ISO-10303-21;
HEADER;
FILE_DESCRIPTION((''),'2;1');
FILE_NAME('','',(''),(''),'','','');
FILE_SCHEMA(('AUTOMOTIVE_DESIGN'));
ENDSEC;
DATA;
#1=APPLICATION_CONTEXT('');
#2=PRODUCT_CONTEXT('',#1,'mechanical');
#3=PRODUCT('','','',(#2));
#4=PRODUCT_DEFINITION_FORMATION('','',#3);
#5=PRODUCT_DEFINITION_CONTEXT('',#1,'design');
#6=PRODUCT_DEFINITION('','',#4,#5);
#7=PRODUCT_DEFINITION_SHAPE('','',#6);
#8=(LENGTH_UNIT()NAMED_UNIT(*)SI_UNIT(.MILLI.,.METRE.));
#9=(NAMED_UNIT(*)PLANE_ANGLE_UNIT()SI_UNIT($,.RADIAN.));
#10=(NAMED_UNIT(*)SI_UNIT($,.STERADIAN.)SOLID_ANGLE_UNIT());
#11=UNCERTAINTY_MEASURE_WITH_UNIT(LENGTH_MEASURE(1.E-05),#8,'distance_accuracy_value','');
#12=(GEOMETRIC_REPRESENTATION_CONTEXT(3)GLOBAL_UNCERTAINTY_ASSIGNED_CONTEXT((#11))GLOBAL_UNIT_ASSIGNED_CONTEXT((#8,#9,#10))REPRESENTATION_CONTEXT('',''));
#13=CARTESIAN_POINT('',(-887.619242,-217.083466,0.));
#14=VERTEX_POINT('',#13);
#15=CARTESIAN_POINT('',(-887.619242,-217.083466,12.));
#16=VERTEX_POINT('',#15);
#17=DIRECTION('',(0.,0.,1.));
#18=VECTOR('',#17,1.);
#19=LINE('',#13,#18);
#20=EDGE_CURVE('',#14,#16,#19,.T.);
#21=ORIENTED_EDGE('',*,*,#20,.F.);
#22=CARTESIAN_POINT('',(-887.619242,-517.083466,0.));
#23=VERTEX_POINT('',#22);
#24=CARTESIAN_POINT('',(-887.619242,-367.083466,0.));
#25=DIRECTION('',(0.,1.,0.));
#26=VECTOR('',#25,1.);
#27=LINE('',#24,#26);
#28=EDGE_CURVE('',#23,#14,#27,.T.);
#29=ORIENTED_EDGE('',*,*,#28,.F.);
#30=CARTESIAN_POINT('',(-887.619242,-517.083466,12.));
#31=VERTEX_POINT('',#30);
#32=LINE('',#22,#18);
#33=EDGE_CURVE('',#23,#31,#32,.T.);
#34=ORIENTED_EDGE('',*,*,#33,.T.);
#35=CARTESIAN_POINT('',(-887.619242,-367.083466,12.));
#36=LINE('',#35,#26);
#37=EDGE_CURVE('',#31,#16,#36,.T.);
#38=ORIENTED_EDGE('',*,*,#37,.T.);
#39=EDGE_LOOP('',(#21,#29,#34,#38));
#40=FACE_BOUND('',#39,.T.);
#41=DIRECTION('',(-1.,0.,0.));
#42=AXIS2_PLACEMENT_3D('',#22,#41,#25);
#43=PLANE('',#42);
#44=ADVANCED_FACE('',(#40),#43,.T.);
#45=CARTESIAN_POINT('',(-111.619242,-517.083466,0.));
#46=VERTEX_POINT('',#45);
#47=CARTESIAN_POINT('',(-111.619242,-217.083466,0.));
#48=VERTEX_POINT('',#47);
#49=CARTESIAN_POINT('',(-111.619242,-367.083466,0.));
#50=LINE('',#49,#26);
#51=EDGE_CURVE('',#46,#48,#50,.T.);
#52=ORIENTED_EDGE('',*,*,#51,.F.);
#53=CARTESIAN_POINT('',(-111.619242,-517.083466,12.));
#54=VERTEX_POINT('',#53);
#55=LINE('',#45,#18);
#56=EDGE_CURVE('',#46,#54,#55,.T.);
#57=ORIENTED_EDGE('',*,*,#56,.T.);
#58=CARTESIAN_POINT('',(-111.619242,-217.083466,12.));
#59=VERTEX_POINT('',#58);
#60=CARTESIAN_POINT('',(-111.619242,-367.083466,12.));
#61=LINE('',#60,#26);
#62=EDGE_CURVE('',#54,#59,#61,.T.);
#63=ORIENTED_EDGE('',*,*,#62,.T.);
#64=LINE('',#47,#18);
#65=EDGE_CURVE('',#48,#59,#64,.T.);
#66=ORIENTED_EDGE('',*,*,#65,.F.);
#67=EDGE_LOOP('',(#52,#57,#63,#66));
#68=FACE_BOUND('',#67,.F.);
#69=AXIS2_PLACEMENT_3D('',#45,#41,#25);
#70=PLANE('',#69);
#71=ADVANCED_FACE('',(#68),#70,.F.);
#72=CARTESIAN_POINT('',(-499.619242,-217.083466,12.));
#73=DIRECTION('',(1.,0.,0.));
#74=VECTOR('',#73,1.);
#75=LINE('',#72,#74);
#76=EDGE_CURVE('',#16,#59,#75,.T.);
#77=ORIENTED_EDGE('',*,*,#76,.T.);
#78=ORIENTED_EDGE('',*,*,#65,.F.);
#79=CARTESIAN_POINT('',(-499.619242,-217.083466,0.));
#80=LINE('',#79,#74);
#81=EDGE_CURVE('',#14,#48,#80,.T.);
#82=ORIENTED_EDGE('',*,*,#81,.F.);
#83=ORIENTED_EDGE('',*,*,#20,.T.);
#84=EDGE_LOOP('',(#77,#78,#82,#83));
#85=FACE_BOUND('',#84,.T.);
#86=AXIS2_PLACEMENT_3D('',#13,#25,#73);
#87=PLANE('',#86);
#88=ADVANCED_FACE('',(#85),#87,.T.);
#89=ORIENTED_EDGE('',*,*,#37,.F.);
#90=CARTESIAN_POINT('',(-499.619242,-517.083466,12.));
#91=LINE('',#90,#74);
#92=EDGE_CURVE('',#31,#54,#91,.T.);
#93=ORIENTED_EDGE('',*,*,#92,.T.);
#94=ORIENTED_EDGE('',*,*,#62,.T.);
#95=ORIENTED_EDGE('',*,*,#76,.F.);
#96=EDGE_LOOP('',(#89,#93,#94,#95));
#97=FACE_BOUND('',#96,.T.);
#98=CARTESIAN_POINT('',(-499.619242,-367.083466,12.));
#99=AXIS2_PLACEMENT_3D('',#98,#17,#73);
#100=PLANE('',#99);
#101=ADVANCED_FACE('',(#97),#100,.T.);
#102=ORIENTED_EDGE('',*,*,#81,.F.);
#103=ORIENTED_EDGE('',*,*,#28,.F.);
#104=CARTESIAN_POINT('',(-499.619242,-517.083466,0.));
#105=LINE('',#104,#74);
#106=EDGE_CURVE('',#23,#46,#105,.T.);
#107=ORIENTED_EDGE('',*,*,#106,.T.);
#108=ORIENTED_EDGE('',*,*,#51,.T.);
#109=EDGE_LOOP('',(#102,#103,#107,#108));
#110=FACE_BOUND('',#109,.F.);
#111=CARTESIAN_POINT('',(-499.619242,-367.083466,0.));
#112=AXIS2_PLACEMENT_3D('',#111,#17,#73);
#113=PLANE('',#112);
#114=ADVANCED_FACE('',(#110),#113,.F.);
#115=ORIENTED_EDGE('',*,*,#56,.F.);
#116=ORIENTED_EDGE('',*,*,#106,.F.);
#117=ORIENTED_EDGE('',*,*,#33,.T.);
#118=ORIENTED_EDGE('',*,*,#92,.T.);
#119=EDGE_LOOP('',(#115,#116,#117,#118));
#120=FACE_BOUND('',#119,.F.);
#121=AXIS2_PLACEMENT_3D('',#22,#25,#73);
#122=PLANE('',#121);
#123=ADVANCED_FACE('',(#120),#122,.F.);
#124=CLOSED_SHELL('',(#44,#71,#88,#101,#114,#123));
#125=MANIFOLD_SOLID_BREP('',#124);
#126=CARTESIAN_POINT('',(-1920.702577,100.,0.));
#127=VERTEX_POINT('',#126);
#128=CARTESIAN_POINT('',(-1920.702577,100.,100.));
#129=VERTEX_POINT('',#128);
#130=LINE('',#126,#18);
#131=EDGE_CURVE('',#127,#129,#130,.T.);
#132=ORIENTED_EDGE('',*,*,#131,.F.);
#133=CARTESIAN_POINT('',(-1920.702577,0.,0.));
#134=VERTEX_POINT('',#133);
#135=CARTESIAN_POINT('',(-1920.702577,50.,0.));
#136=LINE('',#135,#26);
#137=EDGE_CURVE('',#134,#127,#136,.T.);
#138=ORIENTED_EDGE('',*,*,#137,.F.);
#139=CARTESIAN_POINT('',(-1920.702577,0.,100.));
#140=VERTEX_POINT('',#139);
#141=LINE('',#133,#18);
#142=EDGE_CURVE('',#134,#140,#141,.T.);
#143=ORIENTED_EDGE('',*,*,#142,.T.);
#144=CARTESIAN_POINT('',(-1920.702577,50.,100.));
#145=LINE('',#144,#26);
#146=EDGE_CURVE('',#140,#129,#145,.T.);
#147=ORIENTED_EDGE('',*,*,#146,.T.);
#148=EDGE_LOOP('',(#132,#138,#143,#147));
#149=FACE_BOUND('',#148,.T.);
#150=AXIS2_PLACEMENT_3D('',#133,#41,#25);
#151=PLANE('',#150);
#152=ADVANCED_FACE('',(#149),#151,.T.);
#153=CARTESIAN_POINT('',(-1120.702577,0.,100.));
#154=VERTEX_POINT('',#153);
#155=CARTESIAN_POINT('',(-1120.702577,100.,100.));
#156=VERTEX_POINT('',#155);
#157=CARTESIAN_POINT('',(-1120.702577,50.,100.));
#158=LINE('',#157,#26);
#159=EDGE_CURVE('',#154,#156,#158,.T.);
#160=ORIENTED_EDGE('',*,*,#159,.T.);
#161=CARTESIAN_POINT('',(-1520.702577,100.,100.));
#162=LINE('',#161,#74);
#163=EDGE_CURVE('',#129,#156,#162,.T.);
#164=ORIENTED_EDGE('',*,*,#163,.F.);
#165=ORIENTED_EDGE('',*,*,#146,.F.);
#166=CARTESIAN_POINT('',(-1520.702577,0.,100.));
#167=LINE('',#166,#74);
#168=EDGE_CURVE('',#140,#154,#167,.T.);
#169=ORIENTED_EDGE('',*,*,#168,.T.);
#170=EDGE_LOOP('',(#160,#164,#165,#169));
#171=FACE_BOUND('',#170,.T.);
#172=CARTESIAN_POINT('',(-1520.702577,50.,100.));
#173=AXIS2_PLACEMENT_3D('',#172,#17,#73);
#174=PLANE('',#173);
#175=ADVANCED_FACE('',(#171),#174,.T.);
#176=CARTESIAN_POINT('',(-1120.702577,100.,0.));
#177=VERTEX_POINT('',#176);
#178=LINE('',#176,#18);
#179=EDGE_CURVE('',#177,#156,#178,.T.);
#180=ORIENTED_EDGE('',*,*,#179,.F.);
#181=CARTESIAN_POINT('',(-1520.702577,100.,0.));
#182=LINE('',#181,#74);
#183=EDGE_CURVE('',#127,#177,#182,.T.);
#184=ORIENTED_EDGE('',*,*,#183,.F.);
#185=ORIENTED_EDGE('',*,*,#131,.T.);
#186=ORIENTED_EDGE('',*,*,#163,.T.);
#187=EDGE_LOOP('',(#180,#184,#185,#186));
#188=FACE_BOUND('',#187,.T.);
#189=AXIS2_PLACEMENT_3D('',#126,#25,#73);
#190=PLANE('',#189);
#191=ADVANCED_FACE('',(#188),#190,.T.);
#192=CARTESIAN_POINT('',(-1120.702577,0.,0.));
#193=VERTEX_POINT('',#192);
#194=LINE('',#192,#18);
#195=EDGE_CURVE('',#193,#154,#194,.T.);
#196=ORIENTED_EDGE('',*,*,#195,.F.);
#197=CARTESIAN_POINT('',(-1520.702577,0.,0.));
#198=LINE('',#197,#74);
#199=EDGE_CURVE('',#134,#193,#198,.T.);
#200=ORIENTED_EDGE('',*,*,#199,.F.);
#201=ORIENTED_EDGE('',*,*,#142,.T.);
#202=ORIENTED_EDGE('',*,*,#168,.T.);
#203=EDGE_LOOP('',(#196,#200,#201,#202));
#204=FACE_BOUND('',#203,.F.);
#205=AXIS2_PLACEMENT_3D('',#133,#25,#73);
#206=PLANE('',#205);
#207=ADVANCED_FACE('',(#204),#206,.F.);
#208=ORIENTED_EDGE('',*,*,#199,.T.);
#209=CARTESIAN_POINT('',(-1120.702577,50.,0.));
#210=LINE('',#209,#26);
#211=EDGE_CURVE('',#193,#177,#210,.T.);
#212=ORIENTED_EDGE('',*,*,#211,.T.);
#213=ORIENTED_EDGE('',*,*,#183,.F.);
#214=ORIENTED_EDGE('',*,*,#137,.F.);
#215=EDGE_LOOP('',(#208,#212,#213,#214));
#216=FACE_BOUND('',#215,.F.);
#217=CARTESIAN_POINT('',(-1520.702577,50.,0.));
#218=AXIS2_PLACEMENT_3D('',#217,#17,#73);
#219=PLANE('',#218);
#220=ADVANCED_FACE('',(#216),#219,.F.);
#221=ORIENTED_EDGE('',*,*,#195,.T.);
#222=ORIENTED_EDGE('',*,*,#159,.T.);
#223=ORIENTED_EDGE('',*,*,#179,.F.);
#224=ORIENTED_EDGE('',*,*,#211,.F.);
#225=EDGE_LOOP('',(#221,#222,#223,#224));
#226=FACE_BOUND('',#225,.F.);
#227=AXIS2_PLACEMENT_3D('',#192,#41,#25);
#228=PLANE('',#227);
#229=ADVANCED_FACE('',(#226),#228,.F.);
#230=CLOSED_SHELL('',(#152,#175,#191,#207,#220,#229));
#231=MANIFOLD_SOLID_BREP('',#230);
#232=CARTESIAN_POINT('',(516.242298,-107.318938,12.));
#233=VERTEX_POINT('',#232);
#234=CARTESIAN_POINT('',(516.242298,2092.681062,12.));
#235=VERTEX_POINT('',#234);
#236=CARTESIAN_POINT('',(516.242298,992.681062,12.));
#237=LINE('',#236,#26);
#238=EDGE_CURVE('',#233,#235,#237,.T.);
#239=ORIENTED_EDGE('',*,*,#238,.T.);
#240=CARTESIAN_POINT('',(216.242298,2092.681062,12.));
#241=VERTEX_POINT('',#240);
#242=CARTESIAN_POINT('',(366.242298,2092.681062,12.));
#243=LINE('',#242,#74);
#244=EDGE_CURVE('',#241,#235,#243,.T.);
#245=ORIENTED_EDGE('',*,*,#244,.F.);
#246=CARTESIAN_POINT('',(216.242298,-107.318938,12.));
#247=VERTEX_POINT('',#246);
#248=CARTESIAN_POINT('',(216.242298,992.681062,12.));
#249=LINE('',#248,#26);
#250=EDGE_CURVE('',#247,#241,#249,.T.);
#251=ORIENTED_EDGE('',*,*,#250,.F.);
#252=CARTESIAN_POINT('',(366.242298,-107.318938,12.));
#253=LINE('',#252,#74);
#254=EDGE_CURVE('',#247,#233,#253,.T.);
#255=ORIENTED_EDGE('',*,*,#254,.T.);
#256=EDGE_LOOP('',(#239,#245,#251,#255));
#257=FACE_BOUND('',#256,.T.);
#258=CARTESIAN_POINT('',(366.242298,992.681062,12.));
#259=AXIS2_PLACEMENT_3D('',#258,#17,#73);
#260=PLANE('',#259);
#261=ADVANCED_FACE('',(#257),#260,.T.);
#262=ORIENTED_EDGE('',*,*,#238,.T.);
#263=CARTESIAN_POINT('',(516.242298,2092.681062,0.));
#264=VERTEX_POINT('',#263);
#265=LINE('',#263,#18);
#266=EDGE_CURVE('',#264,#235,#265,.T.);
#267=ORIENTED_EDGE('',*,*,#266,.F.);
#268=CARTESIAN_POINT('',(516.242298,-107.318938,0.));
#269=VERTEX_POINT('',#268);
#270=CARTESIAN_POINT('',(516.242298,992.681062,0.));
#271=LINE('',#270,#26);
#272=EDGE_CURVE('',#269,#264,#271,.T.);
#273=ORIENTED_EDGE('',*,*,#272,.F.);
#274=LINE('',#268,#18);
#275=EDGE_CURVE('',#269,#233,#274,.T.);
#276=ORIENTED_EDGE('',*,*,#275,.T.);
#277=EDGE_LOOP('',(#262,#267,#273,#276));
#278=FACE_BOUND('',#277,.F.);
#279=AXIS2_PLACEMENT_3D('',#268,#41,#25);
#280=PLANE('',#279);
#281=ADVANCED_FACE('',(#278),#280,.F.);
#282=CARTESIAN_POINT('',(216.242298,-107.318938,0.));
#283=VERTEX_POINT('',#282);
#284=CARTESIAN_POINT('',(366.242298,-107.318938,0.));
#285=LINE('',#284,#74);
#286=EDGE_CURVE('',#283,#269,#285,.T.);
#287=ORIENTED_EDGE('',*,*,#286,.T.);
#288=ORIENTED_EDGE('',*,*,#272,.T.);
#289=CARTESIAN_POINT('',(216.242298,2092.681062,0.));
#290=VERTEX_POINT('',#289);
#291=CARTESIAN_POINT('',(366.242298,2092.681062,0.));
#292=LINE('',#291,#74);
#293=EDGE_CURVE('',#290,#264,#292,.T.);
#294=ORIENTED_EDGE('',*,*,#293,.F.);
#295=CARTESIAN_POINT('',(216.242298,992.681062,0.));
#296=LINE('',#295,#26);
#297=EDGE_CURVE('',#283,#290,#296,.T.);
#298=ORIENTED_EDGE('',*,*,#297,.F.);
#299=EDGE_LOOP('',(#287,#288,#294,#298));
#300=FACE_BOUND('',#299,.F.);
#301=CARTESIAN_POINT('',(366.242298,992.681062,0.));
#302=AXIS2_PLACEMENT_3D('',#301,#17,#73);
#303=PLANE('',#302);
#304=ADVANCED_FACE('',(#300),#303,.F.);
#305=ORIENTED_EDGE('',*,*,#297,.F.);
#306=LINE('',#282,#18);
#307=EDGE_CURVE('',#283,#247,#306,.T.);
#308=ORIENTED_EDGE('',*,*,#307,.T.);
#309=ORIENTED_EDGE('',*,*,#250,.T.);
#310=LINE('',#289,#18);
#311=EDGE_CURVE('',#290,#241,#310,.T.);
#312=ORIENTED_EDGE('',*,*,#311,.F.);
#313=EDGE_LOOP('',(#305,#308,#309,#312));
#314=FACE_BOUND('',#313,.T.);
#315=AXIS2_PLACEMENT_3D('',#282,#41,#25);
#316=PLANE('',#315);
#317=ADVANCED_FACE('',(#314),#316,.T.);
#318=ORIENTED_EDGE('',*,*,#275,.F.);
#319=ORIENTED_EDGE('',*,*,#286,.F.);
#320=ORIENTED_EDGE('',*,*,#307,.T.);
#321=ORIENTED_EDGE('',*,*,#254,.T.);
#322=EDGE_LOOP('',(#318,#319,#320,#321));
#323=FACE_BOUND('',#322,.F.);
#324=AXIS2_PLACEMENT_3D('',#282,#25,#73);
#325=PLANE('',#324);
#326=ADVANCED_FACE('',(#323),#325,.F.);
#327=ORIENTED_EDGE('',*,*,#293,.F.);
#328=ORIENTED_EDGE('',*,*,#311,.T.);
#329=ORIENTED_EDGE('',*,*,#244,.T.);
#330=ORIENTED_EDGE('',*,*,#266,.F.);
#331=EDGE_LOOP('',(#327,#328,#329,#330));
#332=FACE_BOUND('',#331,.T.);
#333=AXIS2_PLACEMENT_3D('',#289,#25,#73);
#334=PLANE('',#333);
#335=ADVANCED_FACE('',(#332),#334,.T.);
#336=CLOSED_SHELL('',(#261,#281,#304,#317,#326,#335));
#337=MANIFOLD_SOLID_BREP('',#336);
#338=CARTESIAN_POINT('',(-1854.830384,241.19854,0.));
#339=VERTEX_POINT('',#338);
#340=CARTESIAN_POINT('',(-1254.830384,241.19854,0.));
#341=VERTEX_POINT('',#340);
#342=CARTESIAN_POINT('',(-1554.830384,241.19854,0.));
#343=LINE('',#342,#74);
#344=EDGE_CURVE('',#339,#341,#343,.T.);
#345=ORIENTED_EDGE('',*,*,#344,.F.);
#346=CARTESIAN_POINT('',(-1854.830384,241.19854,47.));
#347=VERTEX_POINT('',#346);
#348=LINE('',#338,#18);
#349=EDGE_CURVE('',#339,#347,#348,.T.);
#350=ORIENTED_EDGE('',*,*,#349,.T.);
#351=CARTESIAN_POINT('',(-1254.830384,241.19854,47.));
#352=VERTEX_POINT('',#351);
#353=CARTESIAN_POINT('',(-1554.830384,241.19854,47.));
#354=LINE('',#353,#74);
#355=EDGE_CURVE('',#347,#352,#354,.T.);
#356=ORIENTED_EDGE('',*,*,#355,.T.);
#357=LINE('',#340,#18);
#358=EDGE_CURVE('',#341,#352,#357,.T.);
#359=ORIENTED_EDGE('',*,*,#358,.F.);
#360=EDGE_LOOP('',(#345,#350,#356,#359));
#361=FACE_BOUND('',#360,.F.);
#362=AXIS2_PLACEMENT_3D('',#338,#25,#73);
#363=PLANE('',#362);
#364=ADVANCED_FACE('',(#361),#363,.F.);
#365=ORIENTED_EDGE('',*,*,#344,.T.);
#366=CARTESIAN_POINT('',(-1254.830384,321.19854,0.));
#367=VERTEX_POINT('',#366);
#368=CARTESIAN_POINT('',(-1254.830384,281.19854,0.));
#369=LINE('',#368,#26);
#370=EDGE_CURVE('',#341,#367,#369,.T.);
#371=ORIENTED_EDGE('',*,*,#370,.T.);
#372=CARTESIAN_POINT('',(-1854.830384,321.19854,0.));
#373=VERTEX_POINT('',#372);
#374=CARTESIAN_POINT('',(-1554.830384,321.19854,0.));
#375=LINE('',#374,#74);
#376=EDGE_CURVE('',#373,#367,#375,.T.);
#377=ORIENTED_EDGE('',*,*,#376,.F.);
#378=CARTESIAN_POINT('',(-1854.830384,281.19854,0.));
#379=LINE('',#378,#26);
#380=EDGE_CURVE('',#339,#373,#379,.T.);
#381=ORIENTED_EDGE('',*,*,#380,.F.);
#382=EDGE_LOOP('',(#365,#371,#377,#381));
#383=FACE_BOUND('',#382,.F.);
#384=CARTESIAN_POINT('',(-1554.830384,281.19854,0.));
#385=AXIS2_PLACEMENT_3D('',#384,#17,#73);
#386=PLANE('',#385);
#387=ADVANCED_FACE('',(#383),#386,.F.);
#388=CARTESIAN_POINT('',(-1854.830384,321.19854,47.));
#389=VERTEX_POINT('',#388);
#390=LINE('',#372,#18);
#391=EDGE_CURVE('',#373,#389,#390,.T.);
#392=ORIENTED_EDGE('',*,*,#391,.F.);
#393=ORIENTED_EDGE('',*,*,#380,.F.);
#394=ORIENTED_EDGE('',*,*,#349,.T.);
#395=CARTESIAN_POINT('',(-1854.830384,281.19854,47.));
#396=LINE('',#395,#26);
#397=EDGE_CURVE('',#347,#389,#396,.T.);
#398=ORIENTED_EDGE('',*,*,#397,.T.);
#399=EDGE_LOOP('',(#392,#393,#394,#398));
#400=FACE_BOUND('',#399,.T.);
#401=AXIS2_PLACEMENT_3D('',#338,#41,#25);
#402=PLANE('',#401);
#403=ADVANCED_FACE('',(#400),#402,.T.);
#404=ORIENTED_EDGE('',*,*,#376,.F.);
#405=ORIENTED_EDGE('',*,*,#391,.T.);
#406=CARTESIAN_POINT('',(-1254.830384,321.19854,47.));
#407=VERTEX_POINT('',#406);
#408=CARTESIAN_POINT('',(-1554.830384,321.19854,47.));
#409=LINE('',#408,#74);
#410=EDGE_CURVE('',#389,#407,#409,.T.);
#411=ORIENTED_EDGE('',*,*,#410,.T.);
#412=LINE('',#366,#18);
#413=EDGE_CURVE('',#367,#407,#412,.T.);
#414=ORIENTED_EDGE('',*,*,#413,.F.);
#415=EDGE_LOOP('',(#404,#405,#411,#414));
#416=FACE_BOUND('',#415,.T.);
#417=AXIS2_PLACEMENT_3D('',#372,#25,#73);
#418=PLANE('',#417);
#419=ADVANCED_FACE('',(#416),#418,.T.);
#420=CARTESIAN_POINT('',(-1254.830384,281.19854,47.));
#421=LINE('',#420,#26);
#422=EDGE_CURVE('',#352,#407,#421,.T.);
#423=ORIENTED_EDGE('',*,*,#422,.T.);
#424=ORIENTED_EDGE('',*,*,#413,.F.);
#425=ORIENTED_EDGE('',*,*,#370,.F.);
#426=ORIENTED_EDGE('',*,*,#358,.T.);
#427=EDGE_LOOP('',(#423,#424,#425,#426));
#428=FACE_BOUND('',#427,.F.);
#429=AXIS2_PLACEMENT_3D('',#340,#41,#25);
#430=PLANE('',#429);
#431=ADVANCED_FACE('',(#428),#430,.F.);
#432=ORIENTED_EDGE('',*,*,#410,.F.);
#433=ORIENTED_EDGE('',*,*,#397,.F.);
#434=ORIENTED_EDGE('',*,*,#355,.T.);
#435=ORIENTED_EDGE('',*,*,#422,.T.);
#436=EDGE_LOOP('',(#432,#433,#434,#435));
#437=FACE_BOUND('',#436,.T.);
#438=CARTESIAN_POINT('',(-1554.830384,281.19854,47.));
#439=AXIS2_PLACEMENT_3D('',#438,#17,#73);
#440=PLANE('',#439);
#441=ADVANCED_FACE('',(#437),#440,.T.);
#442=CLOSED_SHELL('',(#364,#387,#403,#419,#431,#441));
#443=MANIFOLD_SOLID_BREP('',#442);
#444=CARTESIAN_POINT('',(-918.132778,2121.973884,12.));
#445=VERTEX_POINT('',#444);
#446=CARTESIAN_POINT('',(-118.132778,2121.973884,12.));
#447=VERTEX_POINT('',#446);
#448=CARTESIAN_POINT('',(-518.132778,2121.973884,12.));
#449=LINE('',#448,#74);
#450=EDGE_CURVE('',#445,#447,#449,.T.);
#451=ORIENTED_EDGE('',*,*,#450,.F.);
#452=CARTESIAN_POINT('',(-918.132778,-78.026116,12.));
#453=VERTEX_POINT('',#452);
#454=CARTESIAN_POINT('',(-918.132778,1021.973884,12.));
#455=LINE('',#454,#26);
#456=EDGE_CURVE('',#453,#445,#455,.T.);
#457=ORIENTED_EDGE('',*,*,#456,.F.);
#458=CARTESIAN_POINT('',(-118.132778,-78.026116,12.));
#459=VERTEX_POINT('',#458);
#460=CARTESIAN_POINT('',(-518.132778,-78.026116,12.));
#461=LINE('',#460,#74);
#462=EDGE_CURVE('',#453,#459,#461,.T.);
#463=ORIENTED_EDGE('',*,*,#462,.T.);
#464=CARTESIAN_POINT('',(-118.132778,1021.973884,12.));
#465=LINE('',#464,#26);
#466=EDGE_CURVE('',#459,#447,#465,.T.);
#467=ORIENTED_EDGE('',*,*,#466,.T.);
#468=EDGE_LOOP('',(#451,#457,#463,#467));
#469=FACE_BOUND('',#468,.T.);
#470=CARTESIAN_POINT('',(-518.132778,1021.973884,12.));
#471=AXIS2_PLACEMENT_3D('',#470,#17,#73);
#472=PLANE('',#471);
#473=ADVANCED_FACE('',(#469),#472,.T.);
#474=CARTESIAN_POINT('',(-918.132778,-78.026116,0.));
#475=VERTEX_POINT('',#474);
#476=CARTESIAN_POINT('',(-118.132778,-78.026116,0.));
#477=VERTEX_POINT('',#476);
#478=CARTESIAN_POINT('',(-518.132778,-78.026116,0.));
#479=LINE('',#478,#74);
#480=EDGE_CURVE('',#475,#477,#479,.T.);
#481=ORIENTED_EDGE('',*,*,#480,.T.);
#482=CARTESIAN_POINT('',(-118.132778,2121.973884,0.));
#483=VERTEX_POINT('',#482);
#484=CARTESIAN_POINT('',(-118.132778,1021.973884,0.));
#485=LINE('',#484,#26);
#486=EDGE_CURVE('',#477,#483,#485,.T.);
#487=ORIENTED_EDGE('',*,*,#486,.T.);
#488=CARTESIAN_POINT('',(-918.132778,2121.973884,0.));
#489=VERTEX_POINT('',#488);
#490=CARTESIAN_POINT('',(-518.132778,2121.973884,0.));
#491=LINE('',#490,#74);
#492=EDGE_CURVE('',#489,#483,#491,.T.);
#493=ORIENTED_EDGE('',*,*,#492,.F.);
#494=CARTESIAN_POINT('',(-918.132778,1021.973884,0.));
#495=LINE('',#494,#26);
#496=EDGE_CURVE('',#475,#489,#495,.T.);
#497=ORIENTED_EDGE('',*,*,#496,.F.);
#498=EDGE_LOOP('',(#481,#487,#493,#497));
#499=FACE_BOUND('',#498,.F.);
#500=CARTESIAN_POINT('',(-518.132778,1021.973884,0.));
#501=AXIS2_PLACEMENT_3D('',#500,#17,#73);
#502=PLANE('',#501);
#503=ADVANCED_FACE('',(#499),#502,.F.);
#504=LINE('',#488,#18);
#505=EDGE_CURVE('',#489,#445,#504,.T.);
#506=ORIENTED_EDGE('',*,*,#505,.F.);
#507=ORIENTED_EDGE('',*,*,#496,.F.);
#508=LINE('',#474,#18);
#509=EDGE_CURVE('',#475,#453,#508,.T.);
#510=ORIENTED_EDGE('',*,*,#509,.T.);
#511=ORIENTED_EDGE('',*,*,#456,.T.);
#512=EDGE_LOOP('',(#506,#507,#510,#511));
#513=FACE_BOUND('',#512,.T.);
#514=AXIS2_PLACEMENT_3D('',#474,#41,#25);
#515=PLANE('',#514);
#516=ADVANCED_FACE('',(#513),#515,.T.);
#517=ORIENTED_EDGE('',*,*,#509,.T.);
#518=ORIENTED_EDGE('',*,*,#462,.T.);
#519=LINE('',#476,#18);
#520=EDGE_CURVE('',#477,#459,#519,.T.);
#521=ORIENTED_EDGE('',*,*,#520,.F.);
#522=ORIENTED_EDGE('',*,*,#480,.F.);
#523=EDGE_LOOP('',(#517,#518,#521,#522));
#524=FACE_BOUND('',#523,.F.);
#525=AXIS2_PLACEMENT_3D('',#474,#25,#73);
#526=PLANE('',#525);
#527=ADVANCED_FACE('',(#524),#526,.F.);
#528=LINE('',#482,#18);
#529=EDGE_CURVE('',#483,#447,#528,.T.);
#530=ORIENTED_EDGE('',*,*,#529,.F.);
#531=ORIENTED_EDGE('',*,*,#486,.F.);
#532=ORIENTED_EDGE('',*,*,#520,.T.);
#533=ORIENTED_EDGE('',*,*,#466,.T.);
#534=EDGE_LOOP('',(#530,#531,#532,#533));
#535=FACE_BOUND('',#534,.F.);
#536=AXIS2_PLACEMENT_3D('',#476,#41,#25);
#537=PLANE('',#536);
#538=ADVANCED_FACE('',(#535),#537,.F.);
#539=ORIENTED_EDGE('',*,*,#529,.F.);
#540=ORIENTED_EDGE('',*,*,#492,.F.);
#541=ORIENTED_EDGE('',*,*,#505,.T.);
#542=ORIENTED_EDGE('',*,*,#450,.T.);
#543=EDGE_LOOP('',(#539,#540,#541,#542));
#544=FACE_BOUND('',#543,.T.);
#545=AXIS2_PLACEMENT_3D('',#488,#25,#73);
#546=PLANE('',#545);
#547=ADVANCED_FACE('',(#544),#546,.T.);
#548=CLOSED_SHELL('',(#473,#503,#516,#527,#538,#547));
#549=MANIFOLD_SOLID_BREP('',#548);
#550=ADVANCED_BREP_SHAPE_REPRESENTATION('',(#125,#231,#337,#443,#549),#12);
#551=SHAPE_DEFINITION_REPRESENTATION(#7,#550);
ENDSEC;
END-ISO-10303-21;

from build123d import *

# Parameters (mm, degrees)
F0_W     = 800
F0_H     = 2200
F2_DEPTH = 12
F1_W     = 300
F1_H     = 2200
F3_DEPTH = 12
F4_W     = 776
F4_H     = 300
F5_DEPTH = 12
F6_W     = 800
F6_H     = 100
F7_DEPTH = 100
F8_W     = 600
F8_H     = 80
F9_DEPTH = 47


with BuildPart() as f2:
    # F0 (on Top) → F2 (new body)
    with BuildSketch(Plane.XY):
        with Locations((-518.132778, 1021.973884)):
            Rectangle(F0_W, F0_H)
    extrude(amount=F2_DEPTH)


with BuildPart() as f3:
    # F1 (on Top) → F3 (new body)
    with BuildSketch(Plane.XY):
        with Locations((366.242298, 992.681062)):
            Rectangle(F1_W, F1_H)
    extrude(amount=F3_DEPTH)


with BuildPart() as f5:
    # F4 (on Top) → F5 (new body)
    with BuildSketch(Plane.XY):
        with Locations((-499.619242, -367.083466)):
            Rectangle(F4_W, F4_H)
    extrude(amount=F5_DEPTH)


with BuildPart() as f7:
    # F6 (on Top) → F7 (new body)
    with BuildSketch(Plane.XY):
        with Locations((-1520.702577, 50)):
            Rectangle(F6_W, F6_H)
    extrude(amount=F7_DEPTH)


with BuildPart() as f9:
    # F8 (on Top) → F9 (new body)
    with BuildSketch(Plane.XY):
        with Locations((-1554.830384, 281.19854)):
            Rectangle(F8_W, F8_H)
    extrude(amount=F9_DEPTH)


solid = Compound([f2.part, f3.part, f5.part, f7.part, f9.part])
